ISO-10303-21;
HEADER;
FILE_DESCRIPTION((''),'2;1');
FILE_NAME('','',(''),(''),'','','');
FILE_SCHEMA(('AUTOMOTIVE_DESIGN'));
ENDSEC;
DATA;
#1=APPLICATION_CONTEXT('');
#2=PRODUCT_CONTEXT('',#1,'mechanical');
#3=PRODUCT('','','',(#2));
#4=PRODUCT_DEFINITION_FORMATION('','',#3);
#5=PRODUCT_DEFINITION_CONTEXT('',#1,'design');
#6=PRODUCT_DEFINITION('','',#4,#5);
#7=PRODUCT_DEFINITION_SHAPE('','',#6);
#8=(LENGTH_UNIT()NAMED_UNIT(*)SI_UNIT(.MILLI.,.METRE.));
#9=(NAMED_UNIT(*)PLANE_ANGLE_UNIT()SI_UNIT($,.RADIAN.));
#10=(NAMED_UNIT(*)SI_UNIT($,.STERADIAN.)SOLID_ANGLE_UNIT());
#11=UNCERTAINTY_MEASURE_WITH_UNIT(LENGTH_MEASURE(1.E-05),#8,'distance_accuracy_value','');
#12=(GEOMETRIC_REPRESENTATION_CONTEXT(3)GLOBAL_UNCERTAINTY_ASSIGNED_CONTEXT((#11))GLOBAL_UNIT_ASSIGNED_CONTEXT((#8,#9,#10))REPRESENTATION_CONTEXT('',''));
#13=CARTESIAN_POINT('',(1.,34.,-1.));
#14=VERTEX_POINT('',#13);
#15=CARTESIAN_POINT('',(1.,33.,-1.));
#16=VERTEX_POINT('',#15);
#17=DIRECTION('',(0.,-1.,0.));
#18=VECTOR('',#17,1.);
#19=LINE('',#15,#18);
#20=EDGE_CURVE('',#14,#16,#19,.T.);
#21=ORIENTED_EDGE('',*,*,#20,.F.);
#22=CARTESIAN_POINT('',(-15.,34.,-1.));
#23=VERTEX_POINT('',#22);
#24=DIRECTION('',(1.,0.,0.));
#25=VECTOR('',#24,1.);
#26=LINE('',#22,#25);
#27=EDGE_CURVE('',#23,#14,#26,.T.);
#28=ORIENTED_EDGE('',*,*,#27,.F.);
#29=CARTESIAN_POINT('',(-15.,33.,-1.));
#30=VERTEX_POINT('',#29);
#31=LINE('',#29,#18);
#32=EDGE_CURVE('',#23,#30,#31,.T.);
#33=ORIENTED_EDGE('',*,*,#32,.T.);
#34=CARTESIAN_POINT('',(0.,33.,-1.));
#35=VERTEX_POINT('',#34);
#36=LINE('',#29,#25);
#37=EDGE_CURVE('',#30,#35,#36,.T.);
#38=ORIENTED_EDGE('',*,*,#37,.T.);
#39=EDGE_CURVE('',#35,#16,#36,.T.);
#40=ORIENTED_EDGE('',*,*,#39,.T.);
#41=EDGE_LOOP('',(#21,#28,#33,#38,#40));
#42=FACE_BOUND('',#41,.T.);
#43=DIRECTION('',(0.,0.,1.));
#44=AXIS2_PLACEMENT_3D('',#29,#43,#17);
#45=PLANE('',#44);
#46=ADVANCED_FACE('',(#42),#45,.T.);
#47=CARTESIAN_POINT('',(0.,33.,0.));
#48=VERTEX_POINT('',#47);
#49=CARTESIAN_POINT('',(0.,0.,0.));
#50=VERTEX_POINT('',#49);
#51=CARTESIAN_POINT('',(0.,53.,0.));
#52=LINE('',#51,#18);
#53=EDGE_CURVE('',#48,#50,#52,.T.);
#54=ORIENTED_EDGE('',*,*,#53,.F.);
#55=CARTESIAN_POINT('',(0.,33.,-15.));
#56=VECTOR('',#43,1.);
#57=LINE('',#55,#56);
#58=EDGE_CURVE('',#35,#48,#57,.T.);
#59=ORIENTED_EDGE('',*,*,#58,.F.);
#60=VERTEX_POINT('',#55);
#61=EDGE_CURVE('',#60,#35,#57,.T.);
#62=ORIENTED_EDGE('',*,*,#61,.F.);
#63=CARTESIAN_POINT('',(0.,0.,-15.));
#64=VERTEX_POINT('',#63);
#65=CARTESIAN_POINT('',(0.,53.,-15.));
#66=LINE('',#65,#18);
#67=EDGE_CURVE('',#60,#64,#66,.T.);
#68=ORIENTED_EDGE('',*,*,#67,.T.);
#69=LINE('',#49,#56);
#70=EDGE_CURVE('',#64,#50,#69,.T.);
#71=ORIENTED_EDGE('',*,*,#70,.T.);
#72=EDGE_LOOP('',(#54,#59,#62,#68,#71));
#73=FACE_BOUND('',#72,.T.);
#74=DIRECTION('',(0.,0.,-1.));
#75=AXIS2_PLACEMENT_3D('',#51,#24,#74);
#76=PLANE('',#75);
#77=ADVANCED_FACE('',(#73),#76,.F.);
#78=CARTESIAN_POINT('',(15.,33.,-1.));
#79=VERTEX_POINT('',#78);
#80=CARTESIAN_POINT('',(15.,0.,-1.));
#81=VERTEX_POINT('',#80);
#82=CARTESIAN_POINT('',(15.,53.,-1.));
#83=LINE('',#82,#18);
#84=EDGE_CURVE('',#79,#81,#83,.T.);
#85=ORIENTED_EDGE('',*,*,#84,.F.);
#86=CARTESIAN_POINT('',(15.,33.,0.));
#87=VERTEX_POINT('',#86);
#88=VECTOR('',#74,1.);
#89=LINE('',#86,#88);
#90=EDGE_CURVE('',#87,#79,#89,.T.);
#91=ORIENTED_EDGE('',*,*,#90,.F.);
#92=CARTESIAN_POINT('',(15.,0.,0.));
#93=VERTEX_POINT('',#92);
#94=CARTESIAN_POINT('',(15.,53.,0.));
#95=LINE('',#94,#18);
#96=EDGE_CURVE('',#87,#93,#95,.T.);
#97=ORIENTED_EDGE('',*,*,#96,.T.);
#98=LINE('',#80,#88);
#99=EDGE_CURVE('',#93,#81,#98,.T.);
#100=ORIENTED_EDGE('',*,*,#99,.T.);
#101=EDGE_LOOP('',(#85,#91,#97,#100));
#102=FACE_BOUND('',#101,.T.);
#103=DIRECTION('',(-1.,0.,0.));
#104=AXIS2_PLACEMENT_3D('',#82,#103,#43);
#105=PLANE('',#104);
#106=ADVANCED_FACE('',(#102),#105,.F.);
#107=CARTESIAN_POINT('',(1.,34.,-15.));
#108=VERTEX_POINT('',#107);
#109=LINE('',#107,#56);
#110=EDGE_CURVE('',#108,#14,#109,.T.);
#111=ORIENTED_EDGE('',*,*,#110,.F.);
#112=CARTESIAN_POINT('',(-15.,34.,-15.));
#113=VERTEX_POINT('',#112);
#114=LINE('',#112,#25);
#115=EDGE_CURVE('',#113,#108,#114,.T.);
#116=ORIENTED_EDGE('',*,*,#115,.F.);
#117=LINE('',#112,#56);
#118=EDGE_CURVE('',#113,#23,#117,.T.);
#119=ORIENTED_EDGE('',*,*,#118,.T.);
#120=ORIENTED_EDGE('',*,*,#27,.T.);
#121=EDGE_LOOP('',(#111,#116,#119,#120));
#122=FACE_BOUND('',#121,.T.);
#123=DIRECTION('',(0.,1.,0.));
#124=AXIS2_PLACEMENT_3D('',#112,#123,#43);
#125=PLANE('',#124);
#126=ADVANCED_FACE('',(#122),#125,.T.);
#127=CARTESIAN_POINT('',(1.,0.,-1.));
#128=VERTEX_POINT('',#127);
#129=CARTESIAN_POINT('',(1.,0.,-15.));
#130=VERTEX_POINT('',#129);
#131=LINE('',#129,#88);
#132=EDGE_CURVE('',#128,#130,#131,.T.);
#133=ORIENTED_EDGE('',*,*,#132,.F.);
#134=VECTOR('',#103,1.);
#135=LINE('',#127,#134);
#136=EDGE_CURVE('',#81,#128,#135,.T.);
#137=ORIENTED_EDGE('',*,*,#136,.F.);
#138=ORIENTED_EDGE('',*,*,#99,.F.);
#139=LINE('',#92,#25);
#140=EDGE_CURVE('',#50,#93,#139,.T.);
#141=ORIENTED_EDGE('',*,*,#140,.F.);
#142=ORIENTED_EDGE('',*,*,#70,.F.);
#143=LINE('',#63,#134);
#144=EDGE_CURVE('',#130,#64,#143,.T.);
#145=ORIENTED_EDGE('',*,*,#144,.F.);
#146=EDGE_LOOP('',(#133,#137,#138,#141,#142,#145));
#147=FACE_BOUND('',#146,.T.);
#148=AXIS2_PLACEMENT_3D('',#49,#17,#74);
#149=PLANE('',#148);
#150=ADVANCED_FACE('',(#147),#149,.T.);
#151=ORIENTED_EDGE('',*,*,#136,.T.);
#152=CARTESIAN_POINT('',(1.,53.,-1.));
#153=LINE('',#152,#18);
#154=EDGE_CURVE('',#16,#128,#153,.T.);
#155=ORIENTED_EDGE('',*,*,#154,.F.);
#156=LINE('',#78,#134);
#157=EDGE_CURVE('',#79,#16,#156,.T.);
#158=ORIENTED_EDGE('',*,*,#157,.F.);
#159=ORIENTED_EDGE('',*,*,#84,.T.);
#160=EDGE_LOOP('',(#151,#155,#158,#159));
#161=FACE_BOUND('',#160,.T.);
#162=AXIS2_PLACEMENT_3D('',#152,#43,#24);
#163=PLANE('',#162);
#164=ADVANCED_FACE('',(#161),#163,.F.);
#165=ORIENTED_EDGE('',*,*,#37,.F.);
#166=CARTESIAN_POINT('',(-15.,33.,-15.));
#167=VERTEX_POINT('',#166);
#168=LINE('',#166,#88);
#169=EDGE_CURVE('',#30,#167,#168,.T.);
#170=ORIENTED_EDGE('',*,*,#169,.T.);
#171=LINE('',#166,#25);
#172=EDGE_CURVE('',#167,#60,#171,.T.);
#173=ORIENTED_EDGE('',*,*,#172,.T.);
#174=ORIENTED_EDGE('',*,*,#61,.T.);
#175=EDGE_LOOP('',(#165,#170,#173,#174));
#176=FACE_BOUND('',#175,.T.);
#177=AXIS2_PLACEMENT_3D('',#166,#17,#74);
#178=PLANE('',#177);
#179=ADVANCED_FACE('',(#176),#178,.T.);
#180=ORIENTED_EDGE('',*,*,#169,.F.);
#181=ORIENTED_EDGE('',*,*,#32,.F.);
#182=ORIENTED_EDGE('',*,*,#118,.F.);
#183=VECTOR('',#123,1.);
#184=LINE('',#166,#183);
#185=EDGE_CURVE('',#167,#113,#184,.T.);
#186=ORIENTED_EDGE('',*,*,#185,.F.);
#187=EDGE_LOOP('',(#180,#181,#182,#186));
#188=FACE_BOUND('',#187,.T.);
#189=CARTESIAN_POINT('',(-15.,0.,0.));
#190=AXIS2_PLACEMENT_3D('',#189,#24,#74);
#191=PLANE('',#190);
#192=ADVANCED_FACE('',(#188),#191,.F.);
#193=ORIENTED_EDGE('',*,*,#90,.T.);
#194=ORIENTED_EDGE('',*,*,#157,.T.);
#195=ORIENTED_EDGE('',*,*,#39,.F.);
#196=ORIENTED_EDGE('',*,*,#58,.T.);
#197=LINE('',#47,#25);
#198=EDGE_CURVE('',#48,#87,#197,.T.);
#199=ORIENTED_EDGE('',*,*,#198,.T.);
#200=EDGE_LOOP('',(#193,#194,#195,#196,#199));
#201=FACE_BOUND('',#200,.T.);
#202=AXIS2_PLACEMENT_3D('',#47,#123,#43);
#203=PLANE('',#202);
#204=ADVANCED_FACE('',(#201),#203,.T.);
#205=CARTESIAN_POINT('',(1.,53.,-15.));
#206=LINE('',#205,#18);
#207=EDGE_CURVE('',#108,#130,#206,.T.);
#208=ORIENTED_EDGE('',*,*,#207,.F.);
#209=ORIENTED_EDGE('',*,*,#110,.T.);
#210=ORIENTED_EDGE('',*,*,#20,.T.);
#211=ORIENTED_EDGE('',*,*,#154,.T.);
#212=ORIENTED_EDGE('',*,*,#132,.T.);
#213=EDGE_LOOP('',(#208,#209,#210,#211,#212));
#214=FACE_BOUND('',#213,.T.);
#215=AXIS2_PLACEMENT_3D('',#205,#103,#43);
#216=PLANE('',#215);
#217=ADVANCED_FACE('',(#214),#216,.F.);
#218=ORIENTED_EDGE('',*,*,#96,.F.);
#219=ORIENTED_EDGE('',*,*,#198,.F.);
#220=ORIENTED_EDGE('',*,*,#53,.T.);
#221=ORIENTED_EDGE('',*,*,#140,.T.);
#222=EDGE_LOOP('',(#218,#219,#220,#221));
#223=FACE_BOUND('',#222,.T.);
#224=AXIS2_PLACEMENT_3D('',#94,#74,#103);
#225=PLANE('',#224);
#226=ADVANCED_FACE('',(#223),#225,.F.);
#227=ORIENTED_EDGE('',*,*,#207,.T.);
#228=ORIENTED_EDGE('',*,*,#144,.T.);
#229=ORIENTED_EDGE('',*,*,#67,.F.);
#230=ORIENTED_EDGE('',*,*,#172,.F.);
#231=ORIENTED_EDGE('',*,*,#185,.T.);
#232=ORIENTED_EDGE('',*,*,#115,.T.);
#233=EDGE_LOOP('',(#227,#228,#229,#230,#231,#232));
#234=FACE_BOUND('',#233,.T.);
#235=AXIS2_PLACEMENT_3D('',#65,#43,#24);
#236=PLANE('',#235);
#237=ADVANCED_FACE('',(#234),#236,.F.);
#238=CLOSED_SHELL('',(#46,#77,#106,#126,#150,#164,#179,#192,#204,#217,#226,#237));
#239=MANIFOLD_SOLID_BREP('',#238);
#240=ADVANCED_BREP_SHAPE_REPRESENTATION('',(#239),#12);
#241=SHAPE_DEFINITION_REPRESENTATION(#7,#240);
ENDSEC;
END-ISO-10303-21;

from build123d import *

# Parameters (mm, degrees)
EXTRUDE_1_DEPTH     = 53
CUT_EXTRUDE_2_DEPTH = 20
SKETCH_6_W          = 14
SKETCH_6_H          = 1
EXTRUDE_2_DEPTH     = 16


with BuildPart() as part:
    # Эскиз1 → Бобышка-Вытянуть1 (new body)
    with BuildSketch(Plane(origin=(0, 0, 0), x_dir=(1, 0, 0), z_dir=(0, 1, 0))):
        Polygon((0, 0), (0, 15), (1, 15), (1, 1), (15, 1), (15, 0), align=None)
    extrude(amount=EXTRUDE_1_DEPTH)

    # Эскиз5 → Вырез-Вытянуть2 (cut)
    with BuildSketch(Plane(origin=(0, 53, 0), x_dir=(1, 0, 0), z_dir=(0, 1, 0))):
        Polygon((0, 0), (15, 0), (15, 1), (1, 1), (1, 15), (0, 15), align=None)
    extrude(amount=-CUT_EXTRUDE_2_DEPTH, mode=Mode.SUBTRACT)

    # Эскиз6 → Бобышка-Вытянуть2 (add)
    with BuildSketch(Plane(origin=(1, 0, 0), x_dir=(0, 0, -1), z_dir=(1, 0, 0))):
        with Locations((8, 33.5)):
            Rectangle(SKETCH_6_W, SKETCH_6_H)
    extrude(amount=-EXTRUDE_2_DEPTH)


solid = part.part
